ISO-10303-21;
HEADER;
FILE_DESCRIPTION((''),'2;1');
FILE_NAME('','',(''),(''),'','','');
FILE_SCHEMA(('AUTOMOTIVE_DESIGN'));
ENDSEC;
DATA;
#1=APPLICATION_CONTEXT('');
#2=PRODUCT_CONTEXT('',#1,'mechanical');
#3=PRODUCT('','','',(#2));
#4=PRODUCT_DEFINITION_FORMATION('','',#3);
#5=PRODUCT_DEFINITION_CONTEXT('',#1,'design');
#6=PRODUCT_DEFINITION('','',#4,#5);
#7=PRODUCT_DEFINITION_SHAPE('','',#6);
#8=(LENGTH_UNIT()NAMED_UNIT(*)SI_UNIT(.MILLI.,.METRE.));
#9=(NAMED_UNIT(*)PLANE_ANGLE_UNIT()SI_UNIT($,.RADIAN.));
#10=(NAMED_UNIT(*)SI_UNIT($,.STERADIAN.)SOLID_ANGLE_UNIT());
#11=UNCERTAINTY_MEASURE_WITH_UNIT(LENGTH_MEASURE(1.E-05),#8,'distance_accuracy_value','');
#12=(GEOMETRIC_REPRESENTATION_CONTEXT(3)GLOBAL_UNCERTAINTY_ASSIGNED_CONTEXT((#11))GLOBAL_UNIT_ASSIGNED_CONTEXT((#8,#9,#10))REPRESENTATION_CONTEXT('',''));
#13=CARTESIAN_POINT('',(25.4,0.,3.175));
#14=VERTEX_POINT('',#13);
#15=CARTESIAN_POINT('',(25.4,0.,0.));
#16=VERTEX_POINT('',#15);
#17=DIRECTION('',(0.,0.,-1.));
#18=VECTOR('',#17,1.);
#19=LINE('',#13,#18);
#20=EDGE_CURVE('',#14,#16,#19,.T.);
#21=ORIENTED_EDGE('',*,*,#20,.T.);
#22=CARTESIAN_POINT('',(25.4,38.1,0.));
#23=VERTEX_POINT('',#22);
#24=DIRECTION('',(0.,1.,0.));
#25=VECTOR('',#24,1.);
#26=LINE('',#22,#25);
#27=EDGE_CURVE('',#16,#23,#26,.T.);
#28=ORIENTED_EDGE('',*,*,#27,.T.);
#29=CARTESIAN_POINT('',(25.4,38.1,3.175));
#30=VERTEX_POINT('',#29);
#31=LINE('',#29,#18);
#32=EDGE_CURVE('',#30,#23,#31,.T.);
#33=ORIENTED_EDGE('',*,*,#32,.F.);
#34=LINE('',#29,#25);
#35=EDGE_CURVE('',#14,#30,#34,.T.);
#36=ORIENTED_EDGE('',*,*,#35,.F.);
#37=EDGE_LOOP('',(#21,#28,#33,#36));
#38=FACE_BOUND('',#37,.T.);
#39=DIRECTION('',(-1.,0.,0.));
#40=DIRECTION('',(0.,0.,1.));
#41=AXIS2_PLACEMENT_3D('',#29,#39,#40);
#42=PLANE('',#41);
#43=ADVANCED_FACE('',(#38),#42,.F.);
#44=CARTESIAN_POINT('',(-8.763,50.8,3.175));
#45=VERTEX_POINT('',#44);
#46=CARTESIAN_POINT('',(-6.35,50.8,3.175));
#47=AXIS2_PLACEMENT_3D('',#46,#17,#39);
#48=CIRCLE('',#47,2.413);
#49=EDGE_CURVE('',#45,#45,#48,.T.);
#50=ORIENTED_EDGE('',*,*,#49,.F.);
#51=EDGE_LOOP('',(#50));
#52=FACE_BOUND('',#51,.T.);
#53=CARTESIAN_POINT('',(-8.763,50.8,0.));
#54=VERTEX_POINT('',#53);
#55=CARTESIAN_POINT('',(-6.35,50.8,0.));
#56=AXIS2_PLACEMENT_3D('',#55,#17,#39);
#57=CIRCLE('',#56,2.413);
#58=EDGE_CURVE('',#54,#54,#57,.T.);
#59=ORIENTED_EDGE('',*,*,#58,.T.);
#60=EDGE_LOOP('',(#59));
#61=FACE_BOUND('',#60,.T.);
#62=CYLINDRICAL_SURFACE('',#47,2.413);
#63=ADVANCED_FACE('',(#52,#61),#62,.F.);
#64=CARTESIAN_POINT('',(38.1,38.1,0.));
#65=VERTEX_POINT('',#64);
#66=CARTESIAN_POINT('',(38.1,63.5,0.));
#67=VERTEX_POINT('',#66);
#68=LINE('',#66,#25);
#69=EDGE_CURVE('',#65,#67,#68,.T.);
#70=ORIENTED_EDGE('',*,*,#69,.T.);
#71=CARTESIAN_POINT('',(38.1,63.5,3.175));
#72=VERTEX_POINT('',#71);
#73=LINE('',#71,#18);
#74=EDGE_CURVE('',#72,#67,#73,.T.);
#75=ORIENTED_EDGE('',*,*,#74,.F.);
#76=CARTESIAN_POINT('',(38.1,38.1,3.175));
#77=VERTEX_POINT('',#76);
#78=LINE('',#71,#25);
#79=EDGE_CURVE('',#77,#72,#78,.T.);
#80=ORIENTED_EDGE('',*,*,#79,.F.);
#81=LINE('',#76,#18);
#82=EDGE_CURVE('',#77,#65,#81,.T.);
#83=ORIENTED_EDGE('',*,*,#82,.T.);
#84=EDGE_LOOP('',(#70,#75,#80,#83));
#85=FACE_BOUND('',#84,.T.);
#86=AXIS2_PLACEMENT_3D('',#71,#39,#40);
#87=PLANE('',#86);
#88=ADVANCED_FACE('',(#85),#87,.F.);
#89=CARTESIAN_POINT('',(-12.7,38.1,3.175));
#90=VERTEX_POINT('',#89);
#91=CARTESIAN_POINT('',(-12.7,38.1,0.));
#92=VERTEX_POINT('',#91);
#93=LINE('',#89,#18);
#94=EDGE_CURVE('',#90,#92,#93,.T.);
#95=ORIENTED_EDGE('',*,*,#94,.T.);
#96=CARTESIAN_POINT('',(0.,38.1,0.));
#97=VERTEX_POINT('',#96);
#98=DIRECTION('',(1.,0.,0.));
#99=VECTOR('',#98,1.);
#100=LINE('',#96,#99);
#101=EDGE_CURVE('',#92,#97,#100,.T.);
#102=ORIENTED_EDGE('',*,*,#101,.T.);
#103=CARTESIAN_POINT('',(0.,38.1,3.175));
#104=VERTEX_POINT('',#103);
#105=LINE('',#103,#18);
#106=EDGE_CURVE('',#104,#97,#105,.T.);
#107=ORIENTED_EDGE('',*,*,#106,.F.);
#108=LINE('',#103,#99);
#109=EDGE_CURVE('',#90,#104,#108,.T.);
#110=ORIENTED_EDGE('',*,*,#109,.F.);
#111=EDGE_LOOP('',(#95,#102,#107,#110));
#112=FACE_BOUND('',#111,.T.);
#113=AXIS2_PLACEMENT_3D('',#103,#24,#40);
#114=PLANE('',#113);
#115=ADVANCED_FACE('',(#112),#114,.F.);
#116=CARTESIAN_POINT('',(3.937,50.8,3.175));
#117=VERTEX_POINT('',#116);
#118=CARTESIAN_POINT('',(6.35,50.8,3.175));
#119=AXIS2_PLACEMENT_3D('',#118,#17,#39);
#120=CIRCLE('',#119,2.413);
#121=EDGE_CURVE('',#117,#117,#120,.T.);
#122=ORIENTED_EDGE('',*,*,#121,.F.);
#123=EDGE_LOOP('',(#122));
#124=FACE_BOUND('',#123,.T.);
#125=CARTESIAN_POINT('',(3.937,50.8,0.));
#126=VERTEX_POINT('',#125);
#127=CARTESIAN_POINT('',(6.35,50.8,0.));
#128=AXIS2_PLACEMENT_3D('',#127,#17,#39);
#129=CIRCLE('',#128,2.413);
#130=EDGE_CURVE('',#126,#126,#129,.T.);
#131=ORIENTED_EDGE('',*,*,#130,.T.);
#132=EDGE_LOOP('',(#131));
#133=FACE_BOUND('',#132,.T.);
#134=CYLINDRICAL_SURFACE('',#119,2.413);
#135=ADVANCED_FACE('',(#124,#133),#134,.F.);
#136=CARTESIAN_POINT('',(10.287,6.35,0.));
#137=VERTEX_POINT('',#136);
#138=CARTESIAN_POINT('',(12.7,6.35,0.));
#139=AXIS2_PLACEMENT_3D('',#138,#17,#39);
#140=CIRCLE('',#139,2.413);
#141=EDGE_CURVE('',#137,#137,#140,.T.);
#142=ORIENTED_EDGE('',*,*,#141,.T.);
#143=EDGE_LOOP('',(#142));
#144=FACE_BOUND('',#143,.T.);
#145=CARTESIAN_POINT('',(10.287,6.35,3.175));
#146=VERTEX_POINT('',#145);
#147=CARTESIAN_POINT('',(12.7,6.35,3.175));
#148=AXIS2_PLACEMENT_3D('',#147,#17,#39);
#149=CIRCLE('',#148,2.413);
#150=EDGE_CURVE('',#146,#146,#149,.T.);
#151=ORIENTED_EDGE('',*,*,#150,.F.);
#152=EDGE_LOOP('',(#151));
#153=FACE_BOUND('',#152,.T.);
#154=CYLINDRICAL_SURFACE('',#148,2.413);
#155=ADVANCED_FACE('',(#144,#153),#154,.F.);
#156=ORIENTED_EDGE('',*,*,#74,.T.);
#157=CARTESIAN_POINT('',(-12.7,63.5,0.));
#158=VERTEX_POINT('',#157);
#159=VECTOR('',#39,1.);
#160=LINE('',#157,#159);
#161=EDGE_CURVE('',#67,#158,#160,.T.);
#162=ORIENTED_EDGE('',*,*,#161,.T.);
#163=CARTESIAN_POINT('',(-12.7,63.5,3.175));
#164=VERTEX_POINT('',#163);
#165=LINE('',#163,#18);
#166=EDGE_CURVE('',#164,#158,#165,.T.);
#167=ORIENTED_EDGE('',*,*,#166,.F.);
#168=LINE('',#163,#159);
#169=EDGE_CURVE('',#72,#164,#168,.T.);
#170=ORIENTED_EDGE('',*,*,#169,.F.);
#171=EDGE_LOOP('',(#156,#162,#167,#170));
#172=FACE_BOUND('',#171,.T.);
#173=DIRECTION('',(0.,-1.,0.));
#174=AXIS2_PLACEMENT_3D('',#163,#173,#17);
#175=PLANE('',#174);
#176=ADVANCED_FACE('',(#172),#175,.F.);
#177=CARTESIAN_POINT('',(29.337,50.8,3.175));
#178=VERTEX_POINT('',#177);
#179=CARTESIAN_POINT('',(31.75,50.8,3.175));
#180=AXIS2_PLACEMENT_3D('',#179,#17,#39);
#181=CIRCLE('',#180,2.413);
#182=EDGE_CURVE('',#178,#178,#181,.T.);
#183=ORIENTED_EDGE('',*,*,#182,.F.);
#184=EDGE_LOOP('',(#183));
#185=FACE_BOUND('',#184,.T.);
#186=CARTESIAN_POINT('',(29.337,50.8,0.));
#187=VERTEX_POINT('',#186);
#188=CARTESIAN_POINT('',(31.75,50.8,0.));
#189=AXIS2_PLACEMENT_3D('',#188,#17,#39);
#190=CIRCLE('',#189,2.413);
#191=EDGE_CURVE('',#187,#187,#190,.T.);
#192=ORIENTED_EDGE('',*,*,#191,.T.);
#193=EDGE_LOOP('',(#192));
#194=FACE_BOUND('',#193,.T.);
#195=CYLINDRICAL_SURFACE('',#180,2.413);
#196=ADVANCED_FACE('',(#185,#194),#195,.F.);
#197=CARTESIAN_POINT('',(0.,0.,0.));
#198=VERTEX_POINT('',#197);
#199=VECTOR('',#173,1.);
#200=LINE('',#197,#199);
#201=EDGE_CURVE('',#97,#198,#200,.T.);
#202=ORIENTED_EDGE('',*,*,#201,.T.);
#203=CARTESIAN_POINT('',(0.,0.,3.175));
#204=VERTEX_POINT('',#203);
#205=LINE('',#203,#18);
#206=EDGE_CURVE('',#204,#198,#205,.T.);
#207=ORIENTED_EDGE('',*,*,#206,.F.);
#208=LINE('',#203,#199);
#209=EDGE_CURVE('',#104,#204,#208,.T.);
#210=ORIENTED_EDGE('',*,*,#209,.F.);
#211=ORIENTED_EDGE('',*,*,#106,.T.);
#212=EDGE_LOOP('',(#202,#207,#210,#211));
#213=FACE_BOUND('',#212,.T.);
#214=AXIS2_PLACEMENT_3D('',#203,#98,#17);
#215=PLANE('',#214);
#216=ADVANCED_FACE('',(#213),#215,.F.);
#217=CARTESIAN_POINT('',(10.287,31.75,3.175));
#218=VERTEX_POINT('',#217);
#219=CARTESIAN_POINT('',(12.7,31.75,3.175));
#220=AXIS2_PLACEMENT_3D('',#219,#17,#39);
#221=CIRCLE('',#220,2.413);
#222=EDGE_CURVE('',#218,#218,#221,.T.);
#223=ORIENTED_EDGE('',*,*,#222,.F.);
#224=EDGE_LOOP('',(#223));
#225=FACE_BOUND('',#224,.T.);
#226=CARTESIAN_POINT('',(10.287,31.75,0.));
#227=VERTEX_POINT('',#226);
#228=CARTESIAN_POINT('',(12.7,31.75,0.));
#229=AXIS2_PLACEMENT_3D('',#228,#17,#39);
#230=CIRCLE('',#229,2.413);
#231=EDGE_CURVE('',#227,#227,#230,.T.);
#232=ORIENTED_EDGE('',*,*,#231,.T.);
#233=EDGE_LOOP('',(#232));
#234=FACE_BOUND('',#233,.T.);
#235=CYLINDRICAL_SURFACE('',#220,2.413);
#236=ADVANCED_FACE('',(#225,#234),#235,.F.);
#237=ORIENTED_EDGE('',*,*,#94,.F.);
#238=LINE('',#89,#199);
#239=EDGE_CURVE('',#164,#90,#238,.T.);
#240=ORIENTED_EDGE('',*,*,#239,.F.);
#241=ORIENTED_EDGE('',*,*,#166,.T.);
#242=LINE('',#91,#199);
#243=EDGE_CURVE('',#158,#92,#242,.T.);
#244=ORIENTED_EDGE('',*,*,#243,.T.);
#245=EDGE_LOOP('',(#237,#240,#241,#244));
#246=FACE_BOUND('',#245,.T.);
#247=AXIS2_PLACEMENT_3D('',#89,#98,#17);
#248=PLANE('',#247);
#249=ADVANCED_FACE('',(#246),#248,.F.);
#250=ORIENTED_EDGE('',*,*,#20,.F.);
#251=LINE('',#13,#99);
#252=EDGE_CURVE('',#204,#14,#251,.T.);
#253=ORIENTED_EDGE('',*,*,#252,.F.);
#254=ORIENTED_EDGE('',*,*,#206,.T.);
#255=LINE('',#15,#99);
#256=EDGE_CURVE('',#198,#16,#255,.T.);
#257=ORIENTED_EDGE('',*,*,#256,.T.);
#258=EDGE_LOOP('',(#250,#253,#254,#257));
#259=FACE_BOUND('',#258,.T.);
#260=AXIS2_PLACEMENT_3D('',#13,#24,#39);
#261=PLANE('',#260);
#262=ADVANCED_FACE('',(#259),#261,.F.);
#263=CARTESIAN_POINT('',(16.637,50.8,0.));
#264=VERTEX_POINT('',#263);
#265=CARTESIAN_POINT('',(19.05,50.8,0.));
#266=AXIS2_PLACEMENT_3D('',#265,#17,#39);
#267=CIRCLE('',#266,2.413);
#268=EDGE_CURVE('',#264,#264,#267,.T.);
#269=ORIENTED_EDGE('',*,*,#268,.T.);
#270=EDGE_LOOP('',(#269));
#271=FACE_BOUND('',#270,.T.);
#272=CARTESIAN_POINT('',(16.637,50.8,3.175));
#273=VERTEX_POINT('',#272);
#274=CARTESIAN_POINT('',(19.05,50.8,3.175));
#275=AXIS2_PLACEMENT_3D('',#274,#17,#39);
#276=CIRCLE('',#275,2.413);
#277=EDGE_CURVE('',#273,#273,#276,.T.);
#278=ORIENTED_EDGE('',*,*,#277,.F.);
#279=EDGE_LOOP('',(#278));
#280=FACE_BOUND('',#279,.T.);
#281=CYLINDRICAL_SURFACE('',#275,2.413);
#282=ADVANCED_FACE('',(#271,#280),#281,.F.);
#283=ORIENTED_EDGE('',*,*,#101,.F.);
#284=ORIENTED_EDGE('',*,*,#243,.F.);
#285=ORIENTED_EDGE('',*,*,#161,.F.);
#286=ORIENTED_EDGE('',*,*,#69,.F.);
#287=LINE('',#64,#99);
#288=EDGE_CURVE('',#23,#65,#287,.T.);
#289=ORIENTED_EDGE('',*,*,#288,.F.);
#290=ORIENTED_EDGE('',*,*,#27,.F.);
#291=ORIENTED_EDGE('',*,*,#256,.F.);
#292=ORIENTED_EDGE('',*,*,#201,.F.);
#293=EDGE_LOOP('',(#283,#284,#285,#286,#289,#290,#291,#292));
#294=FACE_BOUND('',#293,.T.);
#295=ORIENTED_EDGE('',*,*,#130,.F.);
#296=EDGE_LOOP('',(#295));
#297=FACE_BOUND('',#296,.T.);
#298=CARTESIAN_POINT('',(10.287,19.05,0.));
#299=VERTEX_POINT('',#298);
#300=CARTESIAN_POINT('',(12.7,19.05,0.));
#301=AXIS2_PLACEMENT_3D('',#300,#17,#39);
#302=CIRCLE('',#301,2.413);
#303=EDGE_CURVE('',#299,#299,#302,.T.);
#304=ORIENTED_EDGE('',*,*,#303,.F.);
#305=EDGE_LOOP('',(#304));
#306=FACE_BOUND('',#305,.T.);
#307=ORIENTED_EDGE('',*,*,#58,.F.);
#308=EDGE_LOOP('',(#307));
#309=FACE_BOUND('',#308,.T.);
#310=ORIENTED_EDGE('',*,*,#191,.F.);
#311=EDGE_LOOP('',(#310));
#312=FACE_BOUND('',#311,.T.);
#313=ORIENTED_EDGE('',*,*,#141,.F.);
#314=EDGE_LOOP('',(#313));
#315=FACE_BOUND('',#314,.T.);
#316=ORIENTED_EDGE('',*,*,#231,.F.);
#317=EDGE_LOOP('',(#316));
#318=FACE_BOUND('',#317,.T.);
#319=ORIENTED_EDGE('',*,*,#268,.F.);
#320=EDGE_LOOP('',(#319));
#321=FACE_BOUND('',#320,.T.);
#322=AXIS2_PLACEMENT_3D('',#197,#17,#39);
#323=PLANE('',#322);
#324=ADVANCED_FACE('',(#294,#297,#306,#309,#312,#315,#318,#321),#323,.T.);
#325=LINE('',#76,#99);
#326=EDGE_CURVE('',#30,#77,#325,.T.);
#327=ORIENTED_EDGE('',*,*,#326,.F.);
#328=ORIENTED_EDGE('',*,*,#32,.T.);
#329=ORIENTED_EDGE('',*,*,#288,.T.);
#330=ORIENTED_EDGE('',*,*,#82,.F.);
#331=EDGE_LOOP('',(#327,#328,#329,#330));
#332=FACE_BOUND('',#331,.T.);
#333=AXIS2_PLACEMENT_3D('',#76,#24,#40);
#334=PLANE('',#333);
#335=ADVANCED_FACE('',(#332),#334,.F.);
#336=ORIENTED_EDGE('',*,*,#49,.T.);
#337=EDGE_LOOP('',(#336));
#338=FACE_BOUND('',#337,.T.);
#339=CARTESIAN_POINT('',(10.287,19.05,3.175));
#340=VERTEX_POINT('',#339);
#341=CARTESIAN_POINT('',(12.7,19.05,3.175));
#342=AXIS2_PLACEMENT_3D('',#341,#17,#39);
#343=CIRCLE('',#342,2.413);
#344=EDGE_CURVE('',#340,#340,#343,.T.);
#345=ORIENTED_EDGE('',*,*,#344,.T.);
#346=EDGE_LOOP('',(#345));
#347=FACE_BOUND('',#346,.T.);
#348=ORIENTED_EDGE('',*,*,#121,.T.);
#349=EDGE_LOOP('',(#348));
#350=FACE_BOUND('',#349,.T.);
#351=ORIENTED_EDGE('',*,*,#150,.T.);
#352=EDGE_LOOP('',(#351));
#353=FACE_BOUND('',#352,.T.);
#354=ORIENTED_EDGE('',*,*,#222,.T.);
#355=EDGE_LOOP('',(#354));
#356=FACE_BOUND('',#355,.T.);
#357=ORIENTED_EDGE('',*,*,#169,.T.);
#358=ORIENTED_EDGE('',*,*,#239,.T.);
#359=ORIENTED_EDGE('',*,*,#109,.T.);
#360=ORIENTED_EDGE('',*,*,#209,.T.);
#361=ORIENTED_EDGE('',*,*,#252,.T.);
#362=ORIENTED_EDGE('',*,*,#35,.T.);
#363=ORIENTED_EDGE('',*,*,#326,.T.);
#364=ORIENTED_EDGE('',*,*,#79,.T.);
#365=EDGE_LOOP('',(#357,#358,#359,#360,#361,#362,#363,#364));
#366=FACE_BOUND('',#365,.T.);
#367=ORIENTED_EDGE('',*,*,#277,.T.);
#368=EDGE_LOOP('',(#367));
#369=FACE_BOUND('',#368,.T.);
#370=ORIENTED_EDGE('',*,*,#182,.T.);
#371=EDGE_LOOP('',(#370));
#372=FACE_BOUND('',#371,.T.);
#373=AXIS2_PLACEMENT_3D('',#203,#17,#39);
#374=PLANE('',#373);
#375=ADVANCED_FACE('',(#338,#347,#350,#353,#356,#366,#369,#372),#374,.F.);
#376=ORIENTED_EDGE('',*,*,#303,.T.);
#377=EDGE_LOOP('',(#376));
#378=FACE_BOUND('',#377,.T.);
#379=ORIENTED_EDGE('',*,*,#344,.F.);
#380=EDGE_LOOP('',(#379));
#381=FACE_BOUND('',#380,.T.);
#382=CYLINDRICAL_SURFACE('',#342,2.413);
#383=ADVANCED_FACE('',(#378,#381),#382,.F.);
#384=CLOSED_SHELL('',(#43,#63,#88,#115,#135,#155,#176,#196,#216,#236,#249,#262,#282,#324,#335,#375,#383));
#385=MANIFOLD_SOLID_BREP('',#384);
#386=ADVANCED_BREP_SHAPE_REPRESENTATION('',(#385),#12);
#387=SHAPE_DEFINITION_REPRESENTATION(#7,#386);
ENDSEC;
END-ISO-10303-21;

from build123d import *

# Parameters (mm, degrees)
BOSS_EXTRUDE1_DEPTH = 3.175
SKETCH2_R           = 2.413
CUT_EXTRUDE1_DEPTH  = 75.121121315
SKETCH3_R           = 2.413
CUT_EXTRUDE2_DEPTH  = 75.121121315


with BuildPart() as part:
    # Sketch1 → Boss-Extrude1 (new body)
    with BuildSketch(Plane.XY):
        Polygon((0, 0), (0, 38.1), (-12.7, 38.1), (-12.7, 63.5), (38.1, 63.5), (38.1, 38.1), (25.4, 38.1), (25.4, 0), align=None)
    extrude(amount=BOSS_EXTRUDE1_DEPTH)

    # Sketch2 → Cut-Extrude1 (cut, through all)
    with BuildSketch(Plane(origin=(0, 0, 0), x_dir=(-1, 0, 0), z_dir=(0, 0, -1))):
        with Locations((-19.05, 50.8)):
            Circle(SKETCH2_R)
        with Locations((-6.35, 50.8)):
            Circle(SKETCH2_R)
        with Locations((6.35, 50.8)):
            Circle(SKETCH2_R)
        with Locations((-31.75, 50.8)):
            Circle(SKETCH2_R)
    extrude(amount=-CUT_EXTRUDE1_DEPTH, mode=Mode.SUBTRACT)

    # Sketch3 → Cut-Extrude2 (cut, through all)
    with BuildSketch(Plane(origin=(0, 0, 0), x_dir=(-1, 0, 0), z_dir=(0, 0, -1))):
        with Locations((-12.7, 19.05)):
            Circle(SKETCH3_R)
        with Locations((-12.7, 31.75)):
            Circle(SKETCH3_R)
        with Locations((-12.7, 6.35)):
            Circle(SKETCH3_R)
    extrude(amount=-CUT_EXTRUDE2_DEPTH, mode=Mode.SUBTRACT)


solid = part.part
